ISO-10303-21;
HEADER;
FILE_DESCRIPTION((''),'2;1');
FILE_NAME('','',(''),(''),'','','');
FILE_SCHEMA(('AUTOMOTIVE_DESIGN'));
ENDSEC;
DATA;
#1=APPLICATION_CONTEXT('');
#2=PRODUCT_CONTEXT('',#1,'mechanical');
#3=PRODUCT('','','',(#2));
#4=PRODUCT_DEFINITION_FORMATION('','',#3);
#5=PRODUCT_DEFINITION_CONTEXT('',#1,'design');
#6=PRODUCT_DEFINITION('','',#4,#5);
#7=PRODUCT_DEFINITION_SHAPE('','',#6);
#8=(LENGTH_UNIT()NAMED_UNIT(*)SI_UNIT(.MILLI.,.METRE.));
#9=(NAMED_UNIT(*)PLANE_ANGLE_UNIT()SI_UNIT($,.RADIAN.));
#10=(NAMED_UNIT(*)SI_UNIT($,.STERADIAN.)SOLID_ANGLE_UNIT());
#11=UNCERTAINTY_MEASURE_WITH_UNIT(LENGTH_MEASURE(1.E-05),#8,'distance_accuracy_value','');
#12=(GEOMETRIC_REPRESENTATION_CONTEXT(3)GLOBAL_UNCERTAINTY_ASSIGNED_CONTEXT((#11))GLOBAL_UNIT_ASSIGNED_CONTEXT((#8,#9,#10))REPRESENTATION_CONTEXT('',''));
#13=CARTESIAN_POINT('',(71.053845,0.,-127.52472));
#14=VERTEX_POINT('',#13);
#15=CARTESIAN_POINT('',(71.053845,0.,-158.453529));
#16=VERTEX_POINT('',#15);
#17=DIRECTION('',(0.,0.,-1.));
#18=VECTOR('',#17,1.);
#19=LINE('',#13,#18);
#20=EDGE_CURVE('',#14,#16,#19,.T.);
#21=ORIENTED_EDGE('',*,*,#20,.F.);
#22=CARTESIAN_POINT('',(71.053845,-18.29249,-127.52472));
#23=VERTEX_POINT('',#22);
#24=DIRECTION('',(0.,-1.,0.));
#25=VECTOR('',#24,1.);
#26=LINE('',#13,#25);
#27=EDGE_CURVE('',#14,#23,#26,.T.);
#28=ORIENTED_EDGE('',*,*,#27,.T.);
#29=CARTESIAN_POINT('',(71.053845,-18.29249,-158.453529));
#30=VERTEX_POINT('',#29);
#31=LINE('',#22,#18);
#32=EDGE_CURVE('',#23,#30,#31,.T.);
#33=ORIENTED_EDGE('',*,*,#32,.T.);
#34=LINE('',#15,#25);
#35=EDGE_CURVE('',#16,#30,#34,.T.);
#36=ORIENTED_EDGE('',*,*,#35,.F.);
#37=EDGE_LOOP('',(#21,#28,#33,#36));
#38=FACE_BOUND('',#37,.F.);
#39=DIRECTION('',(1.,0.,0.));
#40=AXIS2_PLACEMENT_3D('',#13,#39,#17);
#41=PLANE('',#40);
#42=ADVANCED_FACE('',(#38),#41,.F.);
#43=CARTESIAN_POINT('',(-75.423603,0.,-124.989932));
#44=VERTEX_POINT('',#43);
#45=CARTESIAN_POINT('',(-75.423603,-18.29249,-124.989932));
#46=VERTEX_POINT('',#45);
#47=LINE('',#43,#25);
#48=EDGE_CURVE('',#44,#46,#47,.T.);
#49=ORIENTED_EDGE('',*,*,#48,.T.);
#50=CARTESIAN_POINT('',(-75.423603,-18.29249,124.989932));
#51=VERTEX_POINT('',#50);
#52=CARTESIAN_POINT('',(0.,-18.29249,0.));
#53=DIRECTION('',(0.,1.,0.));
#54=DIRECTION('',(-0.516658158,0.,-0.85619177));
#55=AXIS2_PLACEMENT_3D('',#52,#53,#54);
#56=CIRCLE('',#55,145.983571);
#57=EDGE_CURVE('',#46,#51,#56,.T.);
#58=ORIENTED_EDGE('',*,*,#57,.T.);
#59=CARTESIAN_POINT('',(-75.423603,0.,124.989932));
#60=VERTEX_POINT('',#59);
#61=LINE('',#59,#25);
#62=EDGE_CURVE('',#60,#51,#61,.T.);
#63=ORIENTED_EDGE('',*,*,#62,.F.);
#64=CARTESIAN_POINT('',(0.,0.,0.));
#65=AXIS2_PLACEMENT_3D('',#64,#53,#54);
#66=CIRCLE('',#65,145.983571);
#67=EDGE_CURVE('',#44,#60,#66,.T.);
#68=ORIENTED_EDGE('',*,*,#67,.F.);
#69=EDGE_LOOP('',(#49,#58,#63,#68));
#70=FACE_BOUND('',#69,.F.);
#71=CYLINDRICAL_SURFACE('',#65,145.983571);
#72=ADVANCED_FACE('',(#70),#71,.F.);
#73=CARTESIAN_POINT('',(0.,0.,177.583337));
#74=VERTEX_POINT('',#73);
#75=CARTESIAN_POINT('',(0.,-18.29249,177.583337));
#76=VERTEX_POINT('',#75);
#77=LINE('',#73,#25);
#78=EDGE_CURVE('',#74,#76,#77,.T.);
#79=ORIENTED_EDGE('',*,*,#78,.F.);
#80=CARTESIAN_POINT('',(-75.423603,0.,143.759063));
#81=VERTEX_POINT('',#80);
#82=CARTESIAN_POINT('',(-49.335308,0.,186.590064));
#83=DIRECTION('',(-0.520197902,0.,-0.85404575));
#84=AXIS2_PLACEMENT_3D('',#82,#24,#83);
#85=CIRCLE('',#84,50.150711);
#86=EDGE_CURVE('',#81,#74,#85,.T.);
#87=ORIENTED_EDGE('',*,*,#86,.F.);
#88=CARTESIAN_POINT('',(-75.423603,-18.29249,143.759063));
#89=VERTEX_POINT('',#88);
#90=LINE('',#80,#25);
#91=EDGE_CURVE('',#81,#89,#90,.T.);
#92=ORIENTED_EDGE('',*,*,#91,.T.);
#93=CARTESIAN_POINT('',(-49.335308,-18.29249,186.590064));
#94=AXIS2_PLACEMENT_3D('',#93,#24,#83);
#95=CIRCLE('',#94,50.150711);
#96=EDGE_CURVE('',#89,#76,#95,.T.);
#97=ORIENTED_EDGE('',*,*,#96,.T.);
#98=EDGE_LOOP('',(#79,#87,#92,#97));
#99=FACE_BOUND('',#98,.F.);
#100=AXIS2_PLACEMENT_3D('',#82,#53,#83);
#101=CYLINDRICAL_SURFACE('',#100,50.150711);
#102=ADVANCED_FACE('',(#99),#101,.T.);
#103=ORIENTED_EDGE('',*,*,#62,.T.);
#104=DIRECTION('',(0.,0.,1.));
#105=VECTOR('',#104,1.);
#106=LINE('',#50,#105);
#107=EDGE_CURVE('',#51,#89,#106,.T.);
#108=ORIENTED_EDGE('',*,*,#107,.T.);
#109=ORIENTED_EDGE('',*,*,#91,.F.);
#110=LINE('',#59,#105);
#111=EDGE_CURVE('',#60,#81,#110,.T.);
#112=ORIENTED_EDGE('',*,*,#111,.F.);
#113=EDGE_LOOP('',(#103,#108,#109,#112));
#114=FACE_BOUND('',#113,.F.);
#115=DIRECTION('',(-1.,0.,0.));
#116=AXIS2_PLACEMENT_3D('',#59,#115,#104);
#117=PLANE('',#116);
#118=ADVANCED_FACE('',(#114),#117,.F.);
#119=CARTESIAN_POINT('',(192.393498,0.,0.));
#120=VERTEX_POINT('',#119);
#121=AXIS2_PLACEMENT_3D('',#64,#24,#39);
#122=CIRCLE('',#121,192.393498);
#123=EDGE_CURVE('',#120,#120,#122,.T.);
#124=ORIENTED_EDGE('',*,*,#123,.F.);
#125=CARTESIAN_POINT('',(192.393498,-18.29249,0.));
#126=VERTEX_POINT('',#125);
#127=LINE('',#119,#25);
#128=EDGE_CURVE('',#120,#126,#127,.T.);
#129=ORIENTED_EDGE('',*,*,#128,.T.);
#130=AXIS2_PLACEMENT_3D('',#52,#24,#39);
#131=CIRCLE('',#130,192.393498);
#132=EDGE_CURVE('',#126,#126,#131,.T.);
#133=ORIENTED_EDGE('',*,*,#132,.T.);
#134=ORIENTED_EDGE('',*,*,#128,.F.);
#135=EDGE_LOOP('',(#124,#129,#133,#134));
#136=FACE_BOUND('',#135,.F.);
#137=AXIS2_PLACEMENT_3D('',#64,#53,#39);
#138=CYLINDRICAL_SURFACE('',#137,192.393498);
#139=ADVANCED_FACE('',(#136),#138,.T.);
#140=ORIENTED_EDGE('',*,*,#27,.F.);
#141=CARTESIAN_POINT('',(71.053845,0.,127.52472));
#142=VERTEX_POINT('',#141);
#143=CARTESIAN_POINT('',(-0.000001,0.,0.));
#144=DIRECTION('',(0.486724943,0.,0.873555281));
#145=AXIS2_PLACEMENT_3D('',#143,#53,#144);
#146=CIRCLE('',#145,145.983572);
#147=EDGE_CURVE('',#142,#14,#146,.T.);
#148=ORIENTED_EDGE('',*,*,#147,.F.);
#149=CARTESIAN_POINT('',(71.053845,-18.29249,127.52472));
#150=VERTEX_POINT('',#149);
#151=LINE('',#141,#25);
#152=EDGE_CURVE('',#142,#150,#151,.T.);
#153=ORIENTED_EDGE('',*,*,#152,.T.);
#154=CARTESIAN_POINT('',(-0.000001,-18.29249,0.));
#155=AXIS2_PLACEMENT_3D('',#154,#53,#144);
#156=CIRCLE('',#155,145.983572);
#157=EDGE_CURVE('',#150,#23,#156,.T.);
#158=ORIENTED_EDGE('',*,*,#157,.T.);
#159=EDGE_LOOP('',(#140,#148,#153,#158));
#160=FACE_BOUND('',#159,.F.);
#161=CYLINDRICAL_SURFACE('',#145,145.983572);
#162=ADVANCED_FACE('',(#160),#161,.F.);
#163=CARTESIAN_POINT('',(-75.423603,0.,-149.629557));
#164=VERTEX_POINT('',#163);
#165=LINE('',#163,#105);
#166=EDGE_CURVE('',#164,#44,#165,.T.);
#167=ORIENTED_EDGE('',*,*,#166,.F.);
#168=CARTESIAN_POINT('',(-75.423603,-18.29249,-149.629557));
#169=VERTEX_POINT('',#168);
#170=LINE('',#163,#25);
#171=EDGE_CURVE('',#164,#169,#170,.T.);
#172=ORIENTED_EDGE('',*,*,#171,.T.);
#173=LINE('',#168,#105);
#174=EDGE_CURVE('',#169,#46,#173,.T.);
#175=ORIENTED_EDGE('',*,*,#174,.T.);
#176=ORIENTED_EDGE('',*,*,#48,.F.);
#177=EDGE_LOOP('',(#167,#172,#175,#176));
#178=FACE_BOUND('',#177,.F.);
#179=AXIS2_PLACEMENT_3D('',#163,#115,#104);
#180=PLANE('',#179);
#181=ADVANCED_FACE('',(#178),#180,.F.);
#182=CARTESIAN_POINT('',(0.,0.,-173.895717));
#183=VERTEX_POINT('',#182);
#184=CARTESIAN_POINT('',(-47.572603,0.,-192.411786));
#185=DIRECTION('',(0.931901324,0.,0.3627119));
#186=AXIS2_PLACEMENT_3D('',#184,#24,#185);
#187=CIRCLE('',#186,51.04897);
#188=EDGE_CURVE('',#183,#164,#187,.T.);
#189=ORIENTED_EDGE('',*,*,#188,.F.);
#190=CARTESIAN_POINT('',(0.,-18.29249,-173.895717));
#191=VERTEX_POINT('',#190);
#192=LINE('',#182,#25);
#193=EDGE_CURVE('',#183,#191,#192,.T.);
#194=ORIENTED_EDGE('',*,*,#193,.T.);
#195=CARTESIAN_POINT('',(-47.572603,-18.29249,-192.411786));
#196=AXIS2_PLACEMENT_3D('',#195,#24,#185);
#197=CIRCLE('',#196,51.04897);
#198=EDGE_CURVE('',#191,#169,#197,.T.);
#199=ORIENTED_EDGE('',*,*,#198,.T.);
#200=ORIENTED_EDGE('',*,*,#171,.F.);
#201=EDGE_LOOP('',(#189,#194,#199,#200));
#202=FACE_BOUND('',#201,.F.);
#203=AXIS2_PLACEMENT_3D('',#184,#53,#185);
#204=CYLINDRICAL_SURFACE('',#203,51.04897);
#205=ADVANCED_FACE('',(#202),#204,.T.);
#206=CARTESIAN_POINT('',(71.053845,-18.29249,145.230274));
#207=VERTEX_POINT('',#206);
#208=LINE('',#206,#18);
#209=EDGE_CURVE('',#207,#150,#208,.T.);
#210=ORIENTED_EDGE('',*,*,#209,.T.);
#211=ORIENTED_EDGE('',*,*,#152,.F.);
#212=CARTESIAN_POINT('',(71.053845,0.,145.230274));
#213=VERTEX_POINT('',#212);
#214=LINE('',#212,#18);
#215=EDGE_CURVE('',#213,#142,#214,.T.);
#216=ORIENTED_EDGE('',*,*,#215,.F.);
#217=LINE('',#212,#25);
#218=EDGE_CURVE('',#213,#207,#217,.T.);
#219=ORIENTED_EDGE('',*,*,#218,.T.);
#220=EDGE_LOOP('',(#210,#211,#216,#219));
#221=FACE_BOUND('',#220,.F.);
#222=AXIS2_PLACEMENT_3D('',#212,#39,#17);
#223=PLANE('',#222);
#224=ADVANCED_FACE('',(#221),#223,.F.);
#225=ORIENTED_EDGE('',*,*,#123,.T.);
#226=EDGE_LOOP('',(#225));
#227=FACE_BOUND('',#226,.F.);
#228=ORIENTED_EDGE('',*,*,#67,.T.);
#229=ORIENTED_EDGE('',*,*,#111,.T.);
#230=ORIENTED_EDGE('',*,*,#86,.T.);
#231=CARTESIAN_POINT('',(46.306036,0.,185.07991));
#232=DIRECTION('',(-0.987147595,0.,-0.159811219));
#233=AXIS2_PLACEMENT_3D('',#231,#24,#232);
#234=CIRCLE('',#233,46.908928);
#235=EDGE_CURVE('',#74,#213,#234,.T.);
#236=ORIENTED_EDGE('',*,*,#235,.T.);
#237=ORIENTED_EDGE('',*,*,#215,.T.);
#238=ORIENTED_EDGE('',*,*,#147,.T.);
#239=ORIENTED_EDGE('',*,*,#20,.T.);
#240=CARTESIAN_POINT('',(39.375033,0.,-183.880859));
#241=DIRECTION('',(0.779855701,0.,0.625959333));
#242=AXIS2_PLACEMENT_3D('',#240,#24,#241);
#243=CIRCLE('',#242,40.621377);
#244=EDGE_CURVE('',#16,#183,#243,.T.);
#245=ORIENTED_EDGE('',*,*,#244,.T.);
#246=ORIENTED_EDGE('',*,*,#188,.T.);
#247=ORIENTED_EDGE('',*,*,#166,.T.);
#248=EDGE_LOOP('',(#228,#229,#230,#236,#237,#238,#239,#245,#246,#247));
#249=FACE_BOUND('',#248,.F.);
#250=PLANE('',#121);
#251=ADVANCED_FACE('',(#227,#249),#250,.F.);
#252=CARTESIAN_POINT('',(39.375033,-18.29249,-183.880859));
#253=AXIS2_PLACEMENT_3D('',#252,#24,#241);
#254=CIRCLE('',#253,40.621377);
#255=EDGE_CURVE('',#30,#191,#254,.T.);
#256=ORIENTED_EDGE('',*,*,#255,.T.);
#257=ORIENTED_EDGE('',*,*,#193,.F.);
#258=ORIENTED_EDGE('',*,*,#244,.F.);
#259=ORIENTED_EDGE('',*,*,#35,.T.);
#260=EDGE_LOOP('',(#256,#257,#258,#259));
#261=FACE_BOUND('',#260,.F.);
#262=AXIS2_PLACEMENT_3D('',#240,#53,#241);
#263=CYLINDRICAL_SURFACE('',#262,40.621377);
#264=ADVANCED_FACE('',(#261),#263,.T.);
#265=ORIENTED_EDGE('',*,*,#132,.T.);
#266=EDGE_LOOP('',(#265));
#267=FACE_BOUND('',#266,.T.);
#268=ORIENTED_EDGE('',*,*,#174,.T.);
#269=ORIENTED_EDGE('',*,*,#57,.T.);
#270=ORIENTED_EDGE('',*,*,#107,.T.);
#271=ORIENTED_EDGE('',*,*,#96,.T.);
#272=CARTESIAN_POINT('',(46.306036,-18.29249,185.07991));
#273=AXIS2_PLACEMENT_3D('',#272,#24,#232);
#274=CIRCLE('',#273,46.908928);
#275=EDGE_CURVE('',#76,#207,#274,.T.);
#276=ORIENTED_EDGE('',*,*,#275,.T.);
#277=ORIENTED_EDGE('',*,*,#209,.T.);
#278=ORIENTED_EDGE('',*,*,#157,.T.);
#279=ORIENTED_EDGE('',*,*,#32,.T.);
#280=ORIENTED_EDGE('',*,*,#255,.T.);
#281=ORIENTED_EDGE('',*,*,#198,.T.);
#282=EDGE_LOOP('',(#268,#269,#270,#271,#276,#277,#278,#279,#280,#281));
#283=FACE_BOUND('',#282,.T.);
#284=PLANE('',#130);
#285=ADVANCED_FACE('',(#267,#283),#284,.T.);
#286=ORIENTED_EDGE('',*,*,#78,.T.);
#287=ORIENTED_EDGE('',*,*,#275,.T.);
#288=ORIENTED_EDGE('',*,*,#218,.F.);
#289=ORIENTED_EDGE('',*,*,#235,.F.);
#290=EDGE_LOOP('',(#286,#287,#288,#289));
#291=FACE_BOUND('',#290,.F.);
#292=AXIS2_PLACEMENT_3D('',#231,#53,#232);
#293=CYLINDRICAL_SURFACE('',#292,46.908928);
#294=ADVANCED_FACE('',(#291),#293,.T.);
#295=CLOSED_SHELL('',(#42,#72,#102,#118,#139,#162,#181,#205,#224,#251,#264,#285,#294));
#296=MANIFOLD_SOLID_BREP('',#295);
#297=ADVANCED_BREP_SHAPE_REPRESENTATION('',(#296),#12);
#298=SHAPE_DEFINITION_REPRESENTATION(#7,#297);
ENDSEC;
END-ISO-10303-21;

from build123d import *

# Parameters (mm, degrees)
F0_R     = 192.393498
F1_DEPTH = 18.29249


with BuildPart() as f1:
    # F0 (on Front) → F1 (new body)
    with BuildSketch(Plane.XZ):
        Circle(F0_R)
        with BuildLine():
            ThreePointArc((-75.423603, -124.989932), (-145.983571, 0), (-75.423603, 124.989932))
            Line((-75.423603, 124.989932), (-75.423603, 143.759063))
            ThreePointArc((-75.423603, 143.759063), (-28.813946, 140.830175), (0, 177.583337))
            ThreePointArc((0, 177.583337), (26.867171, 142.388247), (71.053845, 145.230274))
            Line((71.053845, 145.230274), (71.053845, 127.52472))
            ThreePointArc((71.053845, 127.52472), (145.983571, 0), (71.053845, -127.52472))
            Line((71.053845, -127.52472), (71.053845, -150.177163))
            Line((71.053845, -150.177163), (71.053845, -158.453529))
            ThreePointArc((71.053845, -158.453529), (30.748142, -144.186111), (0, -173.895717))
            ThreePointArc((0, -173.895717), (-31.937801, -143.816001), (-75.423603, -149.629557))
            Line((-75.423603, -149.629557), (-75.423603, -124.989932))
        make_face(mode=Mode.SUBTRACT)
    extrude(amount=F1_DEPTH)


solid = f1.part
